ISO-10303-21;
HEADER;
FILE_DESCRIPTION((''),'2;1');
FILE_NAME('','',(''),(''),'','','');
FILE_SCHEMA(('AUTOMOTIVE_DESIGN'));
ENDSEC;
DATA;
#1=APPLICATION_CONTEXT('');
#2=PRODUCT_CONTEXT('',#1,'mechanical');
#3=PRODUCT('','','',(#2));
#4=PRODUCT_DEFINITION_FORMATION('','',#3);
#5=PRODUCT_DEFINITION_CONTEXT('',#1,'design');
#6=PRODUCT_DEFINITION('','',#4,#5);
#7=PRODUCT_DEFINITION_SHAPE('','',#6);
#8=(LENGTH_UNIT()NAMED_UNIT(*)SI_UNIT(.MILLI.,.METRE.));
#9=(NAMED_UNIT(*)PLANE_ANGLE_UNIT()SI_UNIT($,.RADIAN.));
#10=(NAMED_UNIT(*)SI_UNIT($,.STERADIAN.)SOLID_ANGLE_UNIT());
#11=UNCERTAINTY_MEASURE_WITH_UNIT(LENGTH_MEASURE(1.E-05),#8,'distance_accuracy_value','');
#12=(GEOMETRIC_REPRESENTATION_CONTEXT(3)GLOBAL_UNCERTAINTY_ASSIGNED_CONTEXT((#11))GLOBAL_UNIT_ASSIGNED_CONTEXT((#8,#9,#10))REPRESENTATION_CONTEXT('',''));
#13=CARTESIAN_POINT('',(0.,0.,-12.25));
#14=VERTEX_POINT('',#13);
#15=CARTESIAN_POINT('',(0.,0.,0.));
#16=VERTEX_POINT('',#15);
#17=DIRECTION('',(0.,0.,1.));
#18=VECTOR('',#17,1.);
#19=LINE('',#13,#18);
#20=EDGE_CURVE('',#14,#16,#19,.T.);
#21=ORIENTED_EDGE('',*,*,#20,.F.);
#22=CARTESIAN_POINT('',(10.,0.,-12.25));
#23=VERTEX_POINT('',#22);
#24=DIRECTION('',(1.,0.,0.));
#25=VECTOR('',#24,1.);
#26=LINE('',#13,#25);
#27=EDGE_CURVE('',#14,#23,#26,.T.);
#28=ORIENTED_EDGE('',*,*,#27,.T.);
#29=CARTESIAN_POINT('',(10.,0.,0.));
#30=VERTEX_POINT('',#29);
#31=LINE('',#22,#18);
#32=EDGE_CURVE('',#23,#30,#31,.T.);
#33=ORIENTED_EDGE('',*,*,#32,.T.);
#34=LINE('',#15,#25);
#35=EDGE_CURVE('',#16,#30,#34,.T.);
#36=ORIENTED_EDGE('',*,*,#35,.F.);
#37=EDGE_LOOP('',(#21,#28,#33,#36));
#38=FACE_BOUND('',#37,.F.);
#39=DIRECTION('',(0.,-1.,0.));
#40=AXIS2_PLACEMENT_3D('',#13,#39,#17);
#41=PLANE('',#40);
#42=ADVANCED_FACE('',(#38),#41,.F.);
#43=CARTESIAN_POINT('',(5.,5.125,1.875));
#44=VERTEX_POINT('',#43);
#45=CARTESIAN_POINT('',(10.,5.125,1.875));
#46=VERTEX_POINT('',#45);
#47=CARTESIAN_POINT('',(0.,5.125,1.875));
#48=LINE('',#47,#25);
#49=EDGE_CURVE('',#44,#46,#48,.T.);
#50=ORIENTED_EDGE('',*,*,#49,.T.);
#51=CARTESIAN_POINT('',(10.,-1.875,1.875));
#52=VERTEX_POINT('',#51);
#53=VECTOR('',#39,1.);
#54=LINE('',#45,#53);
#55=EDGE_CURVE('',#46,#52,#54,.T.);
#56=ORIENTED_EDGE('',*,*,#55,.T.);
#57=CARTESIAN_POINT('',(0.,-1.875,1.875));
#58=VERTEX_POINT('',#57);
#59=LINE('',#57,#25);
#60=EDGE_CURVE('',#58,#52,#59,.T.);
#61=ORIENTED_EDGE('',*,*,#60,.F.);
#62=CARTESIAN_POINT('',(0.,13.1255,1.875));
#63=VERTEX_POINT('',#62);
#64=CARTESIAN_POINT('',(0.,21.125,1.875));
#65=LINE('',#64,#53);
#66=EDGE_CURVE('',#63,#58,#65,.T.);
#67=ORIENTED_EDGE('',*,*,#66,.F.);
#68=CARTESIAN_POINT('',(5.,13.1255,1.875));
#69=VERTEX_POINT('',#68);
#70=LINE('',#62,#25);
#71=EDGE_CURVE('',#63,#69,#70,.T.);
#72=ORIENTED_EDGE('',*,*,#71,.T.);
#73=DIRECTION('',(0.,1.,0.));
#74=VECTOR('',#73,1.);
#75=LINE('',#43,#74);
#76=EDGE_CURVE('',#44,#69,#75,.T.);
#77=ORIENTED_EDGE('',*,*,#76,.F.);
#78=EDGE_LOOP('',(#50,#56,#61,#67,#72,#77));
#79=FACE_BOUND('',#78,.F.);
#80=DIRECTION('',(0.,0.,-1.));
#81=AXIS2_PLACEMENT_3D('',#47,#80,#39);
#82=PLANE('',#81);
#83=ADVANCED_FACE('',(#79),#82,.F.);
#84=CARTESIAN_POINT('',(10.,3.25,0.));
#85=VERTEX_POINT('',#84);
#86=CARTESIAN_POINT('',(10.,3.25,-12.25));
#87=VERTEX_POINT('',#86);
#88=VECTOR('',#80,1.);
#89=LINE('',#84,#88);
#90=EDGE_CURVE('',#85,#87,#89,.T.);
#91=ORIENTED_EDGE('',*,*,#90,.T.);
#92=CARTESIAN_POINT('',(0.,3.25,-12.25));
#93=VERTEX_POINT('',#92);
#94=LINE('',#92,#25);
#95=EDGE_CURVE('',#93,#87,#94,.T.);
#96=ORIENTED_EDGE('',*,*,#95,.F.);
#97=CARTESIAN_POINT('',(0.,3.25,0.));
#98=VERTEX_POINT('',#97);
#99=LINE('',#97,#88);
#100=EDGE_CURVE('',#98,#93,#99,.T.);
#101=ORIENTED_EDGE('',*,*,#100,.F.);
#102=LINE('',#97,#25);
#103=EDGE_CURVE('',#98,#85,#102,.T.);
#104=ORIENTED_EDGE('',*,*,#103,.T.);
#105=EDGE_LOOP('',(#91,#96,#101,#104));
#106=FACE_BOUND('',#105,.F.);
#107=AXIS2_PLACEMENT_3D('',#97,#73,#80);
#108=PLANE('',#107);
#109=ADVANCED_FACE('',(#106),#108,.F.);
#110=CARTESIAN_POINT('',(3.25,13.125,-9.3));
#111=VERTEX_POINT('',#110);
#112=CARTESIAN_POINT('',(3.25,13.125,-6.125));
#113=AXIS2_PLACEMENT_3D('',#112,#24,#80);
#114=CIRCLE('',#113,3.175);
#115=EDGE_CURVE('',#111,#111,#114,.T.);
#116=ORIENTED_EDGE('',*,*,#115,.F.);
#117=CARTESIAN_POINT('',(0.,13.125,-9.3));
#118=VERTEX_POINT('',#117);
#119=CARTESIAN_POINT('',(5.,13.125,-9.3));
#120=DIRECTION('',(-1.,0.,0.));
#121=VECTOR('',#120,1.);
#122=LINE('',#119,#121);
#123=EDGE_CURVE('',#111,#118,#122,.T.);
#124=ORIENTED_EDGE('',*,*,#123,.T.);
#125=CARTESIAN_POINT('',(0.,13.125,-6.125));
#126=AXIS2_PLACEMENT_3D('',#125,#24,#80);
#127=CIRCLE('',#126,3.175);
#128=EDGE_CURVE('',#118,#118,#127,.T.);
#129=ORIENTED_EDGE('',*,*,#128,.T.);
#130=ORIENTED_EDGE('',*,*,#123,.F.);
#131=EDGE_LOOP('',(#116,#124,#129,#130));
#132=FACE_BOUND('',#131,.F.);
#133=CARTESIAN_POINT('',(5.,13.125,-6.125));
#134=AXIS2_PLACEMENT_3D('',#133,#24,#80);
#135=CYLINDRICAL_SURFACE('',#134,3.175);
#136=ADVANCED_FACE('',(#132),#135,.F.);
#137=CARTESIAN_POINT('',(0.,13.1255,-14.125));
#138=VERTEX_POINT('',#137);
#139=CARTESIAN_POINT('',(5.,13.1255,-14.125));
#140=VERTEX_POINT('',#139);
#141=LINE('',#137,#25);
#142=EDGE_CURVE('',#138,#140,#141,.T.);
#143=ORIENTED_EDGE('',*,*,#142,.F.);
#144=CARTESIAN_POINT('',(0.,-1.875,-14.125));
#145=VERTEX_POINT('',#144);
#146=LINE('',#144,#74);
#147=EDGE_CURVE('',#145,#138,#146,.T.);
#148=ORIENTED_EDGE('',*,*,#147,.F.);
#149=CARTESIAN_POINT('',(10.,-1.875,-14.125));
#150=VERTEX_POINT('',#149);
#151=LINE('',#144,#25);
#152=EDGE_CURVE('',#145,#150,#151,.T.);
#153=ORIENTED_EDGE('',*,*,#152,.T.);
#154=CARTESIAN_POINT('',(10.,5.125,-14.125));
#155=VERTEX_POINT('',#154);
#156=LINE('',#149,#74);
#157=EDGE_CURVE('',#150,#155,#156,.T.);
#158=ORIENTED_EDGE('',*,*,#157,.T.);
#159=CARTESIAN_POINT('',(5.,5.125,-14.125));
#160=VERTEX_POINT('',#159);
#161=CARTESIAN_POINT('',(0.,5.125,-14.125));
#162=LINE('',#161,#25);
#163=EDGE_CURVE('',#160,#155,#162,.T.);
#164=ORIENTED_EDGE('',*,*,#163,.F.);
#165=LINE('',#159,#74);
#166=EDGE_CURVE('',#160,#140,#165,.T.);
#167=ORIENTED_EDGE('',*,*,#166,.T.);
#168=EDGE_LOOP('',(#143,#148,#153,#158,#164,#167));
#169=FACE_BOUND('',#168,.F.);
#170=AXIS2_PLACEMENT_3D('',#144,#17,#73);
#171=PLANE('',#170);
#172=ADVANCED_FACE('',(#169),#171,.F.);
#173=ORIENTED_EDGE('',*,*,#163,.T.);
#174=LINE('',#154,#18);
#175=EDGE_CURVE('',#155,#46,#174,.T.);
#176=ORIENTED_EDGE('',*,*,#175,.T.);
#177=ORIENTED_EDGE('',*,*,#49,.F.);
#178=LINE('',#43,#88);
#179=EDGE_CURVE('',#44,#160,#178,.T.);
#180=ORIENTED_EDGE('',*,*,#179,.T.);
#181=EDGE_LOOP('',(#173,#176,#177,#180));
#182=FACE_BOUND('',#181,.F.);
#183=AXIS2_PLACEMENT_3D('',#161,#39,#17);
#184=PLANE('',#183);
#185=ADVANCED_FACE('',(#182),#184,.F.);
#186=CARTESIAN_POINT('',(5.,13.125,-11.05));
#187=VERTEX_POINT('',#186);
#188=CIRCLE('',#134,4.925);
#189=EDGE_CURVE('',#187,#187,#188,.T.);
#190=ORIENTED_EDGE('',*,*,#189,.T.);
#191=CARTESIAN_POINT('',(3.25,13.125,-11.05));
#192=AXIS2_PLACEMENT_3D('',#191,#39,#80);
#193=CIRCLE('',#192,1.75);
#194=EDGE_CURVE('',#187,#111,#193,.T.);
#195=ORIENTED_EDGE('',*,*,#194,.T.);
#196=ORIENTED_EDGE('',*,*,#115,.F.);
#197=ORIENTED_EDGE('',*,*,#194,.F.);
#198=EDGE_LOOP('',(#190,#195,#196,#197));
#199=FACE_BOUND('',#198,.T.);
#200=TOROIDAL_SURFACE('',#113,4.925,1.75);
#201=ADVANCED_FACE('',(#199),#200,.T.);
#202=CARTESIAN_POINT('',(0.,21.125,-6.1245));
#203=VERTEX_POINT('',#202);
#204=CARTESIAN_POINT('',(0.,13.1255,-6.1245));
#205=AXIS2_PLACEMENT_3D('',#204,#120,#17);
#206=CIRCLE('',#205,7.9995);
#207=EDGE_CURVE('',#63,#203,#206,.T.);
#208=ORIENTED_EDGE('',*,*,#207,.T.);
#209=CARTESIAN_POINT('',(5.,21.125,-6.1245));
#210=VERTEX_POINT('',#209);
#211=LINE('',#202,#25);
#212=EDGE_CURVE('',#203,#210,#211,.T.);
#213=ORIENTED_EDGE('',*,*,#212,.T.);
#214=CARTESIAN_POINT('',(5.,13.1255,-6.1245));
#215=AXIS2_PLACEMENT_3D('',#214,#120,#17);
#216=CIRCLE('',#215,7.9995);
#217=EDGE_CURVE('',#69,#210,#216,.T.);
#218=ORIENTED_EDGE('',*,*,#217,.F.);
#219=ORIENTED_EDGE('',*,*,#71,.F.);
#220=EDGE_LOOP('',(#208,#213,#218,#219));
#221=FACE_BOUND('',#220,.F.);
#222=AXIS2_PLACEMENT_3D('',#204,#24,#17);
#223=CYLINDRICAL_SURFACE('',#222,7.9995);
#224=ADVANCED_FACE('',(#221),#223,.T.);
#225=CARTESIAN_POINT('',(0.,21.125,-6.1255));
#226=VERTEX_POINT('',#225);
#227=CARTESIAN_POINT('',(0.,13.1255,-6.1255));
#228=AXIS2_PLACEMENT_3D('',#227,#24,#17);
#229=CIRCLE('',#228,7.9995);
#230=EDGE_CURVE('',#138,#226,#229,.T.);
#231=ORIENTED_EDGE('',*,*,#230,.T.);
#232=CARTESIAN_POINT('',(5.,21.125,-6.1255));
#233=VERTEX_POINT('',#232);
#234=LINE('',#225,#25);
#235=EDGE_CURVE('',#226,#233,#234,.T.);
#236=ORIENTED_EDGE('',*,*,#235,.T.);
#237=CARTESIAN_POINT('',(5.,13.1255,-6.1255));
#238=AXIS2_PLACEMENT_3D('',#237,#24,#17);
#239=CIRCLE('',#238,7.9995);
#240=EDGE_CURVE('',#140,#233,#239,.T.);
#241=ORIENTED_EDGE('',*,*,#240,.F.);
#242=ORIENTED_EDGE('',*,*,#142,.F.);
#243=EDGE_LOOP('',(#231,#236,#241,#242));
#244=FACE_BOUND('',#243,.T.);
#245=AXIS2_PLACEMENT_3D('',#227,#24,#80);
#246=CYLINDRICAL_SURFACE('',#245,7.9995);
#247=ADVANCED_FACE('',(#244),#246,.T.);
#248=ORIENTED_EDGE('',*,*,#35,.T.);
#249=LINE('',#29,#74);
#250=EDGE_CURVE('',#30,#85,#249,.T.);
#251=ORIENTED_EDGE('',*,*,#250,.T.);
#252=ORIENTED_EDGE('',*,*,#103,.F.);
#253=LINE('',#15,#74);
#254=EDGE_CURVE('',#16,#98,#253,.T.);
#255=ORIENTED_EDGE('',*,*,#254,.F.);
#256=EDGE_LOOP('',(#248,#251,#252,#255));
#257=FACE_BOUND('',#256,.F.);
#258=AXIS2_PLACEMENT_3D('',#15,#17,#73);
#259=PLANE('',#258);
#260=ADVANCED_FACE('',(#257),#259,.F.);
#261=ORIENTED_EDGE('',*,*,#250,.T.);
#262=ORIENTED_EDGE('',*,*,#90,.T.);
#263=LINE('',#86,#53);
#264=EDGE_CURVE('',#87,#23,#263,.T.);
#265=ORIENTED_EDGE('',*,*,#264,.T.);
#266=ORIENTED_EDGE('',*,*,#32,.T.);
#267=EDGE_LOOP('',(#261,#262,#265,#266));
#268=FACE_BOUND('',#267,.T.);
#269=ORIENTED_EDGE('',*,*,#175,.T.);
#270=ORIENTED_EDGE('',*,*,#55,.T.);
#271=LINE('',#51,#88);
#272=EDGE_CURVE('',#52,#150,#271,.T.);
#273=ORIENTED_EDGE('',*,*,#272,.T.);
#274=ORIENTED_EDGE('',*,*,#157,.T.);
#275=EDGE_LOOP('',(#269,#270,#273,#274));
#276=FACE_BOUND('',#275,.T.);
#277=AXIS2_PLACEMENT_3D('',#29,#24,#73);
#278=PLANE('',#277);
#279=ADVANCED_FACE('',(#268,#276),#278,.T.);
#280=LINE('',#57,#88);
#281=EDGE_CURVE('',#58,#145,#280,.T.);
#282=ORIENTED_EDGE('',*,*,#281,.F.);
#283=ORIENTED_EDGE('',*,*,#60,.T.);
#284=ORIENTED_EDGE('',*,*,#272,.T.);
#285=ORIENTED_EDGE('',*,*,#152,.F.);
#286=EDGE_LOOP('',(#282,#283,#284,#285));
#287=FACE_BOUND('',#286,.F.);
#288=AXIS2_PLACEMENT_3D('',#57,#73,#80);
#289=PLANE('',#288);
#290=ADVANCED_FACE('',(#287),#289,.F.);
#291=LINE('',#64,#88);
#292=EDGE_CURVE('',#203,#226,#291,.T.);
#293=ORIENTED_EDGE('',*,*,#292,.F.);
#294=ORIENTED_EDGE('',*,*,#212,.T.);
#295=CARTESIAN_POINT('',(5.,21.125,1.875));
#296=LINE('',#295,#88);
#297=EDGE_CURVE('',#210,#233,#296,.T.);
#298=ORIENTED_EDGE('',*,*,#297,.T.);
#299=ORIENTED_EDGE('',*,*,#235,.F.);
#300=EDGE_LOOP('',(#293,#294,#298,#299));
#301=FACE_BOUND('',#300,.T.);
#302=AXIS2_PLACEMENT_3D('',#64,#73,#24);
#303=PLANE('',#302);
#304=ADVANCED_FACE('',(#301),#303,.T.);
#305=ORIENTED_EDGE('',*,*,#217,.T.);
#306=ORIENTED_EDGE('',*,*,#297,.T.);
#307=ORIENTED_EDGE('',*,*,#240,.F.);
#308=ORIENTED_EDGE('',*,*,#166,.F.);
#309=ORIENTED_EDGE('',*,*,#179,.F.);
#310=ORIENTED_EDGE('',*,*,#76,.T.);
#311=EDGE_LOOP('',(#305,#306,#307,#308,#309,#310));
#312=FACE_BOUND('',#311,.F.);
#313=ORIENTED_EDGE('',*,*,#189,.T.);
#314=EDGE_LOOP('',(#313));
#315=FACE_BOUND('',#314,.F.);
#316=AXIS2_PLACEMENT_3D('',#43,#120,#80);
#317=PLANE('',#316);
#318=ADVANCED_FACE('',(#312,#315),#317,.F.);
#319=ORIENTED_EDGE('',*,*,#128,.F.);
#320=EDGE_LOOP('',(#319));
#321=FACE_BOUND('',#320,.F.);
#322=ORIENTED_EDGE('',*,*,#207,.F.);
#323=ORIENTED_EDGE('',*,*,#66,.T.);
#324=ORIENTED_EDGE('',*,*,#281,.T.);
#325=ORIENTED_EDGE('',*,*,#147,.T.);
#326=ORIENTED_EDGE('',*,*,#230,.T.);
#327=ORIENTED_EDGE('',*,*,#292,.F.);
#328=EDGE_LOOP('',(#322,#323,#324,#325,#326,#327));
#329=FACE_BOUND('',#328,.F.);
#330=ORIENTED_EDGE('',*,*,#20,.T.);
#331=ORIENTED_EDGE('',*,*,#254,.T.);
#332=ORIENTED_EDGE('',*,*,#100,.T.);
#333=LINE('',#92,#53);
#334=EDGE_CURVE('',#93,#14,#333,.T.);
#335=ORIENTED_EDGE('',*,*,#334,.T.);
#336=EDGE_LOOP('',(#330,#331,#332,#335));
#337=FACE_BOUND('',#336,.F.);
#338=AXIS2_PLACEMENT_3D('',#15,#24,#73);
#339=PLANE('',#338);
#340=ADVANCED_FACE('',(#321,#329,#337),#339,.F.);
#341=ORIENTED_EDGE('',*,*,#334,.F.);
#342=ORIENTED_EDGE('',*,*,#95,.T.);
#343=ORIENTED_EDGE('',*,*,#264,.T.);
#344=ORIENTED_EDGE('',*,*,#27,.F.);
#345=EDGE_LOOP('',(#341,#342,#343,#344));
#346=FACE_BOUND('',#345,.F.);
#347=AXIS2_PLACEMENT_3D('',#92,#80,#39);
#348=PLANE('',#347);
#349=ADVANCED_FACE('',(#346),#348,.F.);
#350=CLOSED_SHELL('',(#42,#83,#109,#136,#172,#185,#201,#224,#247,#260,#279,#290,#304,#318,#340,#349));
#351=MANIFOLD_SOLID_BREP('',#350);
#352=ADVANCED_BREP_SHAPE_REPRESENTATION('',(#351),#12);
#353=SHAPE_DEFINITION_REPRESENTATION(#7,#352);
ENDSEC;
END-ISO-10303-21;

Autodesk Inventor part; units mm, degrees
ref_plane "YZ Plane" through (0, 0, 0) normal (1, 0, 0) x (0, 1, 0)
ref_plane "XZ Plane" through (0, 0, 0) normal (0, 1, 0) x (-1, 0, 0)
ref_plane "XY Plane" through (0, 0, 0) normal (0, 0, 1) x (1, 0, 0)
sketch "Sketch1" plane through (0, 0, 0) normal (1, 0, 0) x (0, 1, 0)
  line L0 (0, 0) -> (3.25, 0)
  line L1 (3.25, 0) -> (3.25, -12.25)
  line L2 (3.25, -12.25) -> (0, -12.25)
  line L3 (0, -12.25) -> (0, 0)
  line L4 (-1.875, -14.125) -> (5.125, -14.125)
  line L5 (5.125, -14.125) -> (5.125, 1.875)
  line L6 (5.125, 1.875) -> (-1.875, 1.875)
  line L7 (-1.875, 1.875) -> (-1.875, -14.125)
  line L8 (-1.875, -14.125) -> (5.125, 1.875) construction
  line L9 (5.125, -14.125) -> (-1.875, 1.875) construction
  point P0 (1.625, -6.125)
  dimension "d0" = 3.25
  dimension "d1" = 12.25
  dimension "d2" = 7
  dimension "d3" = 16
extrude "Extrusion1" add sketch "Sketch1" along normal blind 10
sketch "Sketch2" plane through (0, 5.125, 1.875) normal (0, 1, 0) x (1, 0, 0)
  line L0 (0, 0) -> (0, 16) projected
  line L1 (0, 16) -> (10, 16) projected
  line L2 (0, 0) -> (5, 0)
  line L3 (5, 0) -> (5, 16)
  line L4 (5, 16) -> (0, 16)
  line L5 (0, 16) -> (0, 0)
  point P0 (0, 1.875)
  dimension "d6" = 5
extrude "Extrusion2" add sketch "Sketch2" along normal blind 16
sketch "Sketch3" plane through (5, 5.125, 1.875) normal (1, 0, 0) x (0, 0, -1)
  line L0 (16, 0) -> (0, 0) construction
  line L1 (0, -7) -> (0, 16) construction
  line L2 (16, 0) -> (0, 16) construction
  circle A0 centre (8, 8) radius 3.175
  point P0 (1.875, -5.125)
  dimension "d9" = 6.35
extrude "Extrusion3" cut sketch "Sketch3" against normal blind 16
fillet "Fillet1" radius 8 2 edges at (2.5, 21.125, 1.875) (2.5, 21.125, -14.125)
fillet "Fillet2" radius 1.75 1 edges at (5, 13.125, -2.95)
properties part number "frameAdjustment 11-28"
